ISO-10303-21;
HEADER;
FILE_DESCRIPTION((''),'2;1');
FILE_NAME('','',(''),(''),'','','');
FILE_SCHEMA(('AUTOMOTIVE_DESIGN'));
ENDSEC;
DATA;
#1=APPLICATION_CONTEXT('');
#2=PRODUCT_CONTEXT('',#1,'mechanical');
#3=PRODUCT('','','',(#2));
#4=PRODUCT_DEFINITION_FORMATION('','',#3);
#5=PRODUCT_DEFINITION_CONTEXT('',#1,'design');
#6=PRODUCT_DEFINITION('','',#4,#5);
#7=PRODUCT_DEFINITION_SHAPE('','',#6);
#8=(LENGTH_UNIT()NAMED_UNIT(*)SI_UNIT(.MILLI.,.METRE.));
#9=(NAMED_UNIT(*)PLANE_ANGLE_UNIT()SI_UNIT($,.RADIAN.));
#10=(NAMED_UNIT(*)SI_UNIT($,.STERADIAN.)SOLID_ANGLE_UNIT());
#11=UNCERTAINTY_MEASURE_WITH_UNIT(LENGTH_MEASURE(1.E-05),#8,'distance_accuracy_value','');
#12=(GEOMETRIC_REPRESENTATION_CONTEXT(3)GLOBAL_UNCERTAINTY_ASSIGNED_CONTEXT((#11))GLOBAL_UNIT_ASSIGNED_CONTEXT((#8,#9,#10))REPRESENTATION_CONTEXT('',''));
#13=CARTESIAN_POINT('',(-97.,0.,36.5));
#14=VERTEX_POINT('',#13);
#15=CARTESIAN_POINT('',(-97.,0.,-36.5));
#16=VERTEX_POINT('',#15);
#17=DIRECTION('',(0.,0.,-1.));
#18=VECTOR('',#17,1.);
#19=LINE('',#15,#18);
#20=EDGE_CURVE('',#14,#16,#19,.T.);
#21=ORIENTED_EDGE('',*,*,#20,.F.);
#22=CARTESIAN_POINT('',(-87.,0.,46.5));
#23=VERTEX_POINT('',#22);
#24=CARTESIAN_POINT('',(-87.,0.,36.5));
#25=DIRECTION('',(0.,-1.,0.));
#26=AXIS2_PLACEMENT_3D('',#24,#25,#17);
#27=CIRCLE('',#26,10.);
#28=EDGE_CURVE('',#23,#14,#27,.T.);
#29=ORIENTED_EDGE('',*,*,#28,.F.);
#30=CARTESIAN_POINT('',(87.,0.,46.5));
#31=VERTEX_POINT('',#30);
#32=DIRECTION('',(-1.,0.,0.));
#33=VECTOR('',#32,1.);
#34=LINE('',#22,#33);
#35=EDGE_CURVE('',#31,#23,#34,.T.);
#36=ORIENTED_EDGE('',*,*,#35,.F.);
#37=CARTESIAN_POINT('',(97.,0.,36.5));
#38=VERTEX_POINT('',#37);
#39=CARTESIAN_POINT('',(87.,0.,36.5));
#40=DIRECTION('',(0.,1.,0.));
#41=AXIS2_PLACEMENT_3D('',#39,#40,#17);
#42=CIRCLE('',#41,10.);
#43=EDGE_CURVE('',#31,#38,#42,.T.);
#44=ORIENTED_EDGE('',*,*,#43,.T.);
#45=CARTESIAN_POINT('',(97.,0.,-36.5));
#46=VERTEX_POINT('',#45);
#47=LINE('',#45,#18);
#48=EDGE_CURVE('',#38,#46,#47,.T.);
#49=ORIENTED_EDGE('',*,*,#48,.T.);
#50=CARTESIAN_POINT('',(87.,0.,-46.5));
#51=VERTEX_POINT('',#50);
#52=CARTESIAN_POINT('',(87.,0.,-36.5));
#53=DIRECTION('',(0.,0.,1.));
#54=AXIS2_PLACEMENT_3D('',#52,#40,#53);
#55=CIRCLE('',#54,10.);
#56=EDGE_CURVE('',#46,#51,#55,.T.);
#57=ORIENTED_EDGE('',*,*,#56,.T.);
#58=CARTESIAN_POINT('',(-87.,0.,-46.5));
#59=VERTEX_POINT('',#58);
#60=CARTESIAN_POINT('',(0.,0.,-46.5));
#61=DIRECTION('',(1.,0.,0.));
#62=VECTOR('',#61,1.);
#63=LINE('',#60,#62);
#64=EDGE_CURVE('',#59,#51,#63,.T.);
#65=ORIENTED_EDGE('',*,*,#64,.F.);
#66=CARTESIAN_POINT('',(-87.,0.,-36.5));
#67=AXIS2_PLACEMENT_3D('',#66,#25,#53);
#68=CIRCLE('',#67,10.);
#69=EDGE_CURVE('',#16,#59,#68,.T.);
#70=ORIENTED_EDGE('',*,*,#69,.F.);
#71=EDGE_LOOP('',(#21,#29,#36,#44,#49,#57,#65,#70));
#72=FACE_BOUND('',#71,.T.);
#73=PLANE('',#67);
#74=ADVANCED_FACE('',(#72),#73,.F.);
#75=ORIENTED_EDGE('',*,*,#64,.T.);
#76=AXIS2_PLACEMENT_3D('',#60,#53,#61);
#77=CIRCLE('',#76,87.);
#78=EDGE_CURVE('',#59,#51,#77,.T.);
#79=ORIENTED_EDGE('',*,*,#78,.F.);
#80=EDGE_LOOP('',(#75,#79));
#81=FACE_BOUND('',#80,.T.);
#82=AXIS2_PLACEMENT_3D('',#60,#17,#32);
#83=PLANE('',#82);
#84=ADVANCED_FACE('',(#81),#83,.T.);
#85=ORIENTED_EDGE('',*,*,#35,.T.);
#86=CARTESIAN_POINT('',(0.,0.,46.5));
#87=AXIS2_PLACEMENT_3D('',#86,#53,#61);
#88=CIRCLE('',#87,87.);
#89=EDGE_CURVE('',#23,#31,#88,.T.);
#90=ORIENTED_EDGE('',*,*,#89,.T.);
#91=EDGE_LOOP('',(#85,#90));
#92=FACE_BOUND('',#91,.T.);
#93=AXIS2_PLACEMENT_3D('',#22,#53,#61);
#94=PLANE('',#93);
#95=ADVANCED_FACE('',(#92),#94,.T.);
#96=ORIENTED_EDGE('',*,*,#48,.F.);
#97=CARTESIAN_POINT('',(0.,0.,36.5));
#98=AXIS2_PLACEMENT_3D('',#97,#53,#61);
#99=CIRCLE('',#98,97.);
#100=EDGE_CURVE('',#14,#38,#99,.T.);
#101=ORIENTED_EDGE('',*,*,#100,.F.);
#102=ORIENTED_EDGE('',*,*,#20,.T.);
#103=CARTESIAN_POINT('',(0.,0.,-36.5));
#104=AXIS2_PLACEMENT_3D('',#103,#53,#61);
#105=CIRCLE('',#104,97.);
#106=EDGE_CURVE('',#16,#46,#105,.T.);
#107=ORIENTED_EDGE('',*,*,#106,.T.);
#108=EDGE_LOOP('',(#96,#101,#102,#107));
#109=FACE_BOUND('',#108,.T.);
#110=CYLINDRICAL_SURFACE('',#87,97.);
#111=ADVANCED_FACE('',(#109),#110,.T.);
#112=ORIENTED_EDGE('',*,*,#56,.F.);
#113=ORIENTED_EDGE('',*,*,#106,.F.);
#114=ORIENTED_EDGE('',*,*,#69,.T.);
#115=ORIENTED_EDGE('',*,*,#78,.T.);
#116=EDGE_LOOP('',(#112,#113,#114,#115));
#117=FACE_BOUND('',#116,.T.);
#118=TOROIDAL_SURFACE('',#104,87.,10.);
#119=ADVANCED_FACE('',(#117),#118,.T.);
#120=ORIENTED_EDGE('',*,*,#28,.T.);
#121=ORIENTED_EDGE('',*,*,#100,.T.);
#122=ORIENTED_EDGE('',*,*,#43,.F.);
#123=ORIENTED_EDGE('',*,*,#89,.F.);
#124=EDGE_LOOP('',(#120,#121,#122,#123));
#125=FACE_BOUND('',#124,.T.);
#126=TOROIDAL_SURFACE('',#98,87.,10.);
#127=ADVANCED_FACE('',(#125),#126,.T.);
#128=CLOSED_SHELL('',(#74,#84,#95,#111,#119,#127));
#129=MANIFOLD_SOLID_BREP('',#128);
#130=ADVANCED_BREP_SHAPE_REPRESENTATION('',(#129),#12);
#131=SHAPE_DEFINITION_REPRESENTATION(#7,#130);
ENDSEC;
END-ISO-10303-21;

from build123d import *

# Parameters (mm, degrees)
R_VOLUTION1_ANGLE = 180


with BuildPart() as part:
    # Esquisse1 → Révolution1 (revolve)
    with BuildSketch(Plane(origin=(0, 0, 0), x_dir=(1, 0, 0), z_dir=(0, 1, 0))):
        with BuildLine():
            Line((0, -46.5), (0, 46.5))
            Line((0, 46.5), (87, 46.5))
            ThreePointArc((87, 46.5), (94.071067812, 43.571067812), (97, 36.5))
            Line((97, 36.5), (97, -36.5))
            ThreePointArc((97, -36.5), (94.071067812, -43.571067812), (87, -46.5))
            Line((87, -46.5), (0, -46.5))
        make_face()
    revolve(axis=Axis((0, 0, 46.5), (0, 0, -1)), revolution_arc=R_VOLUTION1_ANGLE)


solid = part.part
